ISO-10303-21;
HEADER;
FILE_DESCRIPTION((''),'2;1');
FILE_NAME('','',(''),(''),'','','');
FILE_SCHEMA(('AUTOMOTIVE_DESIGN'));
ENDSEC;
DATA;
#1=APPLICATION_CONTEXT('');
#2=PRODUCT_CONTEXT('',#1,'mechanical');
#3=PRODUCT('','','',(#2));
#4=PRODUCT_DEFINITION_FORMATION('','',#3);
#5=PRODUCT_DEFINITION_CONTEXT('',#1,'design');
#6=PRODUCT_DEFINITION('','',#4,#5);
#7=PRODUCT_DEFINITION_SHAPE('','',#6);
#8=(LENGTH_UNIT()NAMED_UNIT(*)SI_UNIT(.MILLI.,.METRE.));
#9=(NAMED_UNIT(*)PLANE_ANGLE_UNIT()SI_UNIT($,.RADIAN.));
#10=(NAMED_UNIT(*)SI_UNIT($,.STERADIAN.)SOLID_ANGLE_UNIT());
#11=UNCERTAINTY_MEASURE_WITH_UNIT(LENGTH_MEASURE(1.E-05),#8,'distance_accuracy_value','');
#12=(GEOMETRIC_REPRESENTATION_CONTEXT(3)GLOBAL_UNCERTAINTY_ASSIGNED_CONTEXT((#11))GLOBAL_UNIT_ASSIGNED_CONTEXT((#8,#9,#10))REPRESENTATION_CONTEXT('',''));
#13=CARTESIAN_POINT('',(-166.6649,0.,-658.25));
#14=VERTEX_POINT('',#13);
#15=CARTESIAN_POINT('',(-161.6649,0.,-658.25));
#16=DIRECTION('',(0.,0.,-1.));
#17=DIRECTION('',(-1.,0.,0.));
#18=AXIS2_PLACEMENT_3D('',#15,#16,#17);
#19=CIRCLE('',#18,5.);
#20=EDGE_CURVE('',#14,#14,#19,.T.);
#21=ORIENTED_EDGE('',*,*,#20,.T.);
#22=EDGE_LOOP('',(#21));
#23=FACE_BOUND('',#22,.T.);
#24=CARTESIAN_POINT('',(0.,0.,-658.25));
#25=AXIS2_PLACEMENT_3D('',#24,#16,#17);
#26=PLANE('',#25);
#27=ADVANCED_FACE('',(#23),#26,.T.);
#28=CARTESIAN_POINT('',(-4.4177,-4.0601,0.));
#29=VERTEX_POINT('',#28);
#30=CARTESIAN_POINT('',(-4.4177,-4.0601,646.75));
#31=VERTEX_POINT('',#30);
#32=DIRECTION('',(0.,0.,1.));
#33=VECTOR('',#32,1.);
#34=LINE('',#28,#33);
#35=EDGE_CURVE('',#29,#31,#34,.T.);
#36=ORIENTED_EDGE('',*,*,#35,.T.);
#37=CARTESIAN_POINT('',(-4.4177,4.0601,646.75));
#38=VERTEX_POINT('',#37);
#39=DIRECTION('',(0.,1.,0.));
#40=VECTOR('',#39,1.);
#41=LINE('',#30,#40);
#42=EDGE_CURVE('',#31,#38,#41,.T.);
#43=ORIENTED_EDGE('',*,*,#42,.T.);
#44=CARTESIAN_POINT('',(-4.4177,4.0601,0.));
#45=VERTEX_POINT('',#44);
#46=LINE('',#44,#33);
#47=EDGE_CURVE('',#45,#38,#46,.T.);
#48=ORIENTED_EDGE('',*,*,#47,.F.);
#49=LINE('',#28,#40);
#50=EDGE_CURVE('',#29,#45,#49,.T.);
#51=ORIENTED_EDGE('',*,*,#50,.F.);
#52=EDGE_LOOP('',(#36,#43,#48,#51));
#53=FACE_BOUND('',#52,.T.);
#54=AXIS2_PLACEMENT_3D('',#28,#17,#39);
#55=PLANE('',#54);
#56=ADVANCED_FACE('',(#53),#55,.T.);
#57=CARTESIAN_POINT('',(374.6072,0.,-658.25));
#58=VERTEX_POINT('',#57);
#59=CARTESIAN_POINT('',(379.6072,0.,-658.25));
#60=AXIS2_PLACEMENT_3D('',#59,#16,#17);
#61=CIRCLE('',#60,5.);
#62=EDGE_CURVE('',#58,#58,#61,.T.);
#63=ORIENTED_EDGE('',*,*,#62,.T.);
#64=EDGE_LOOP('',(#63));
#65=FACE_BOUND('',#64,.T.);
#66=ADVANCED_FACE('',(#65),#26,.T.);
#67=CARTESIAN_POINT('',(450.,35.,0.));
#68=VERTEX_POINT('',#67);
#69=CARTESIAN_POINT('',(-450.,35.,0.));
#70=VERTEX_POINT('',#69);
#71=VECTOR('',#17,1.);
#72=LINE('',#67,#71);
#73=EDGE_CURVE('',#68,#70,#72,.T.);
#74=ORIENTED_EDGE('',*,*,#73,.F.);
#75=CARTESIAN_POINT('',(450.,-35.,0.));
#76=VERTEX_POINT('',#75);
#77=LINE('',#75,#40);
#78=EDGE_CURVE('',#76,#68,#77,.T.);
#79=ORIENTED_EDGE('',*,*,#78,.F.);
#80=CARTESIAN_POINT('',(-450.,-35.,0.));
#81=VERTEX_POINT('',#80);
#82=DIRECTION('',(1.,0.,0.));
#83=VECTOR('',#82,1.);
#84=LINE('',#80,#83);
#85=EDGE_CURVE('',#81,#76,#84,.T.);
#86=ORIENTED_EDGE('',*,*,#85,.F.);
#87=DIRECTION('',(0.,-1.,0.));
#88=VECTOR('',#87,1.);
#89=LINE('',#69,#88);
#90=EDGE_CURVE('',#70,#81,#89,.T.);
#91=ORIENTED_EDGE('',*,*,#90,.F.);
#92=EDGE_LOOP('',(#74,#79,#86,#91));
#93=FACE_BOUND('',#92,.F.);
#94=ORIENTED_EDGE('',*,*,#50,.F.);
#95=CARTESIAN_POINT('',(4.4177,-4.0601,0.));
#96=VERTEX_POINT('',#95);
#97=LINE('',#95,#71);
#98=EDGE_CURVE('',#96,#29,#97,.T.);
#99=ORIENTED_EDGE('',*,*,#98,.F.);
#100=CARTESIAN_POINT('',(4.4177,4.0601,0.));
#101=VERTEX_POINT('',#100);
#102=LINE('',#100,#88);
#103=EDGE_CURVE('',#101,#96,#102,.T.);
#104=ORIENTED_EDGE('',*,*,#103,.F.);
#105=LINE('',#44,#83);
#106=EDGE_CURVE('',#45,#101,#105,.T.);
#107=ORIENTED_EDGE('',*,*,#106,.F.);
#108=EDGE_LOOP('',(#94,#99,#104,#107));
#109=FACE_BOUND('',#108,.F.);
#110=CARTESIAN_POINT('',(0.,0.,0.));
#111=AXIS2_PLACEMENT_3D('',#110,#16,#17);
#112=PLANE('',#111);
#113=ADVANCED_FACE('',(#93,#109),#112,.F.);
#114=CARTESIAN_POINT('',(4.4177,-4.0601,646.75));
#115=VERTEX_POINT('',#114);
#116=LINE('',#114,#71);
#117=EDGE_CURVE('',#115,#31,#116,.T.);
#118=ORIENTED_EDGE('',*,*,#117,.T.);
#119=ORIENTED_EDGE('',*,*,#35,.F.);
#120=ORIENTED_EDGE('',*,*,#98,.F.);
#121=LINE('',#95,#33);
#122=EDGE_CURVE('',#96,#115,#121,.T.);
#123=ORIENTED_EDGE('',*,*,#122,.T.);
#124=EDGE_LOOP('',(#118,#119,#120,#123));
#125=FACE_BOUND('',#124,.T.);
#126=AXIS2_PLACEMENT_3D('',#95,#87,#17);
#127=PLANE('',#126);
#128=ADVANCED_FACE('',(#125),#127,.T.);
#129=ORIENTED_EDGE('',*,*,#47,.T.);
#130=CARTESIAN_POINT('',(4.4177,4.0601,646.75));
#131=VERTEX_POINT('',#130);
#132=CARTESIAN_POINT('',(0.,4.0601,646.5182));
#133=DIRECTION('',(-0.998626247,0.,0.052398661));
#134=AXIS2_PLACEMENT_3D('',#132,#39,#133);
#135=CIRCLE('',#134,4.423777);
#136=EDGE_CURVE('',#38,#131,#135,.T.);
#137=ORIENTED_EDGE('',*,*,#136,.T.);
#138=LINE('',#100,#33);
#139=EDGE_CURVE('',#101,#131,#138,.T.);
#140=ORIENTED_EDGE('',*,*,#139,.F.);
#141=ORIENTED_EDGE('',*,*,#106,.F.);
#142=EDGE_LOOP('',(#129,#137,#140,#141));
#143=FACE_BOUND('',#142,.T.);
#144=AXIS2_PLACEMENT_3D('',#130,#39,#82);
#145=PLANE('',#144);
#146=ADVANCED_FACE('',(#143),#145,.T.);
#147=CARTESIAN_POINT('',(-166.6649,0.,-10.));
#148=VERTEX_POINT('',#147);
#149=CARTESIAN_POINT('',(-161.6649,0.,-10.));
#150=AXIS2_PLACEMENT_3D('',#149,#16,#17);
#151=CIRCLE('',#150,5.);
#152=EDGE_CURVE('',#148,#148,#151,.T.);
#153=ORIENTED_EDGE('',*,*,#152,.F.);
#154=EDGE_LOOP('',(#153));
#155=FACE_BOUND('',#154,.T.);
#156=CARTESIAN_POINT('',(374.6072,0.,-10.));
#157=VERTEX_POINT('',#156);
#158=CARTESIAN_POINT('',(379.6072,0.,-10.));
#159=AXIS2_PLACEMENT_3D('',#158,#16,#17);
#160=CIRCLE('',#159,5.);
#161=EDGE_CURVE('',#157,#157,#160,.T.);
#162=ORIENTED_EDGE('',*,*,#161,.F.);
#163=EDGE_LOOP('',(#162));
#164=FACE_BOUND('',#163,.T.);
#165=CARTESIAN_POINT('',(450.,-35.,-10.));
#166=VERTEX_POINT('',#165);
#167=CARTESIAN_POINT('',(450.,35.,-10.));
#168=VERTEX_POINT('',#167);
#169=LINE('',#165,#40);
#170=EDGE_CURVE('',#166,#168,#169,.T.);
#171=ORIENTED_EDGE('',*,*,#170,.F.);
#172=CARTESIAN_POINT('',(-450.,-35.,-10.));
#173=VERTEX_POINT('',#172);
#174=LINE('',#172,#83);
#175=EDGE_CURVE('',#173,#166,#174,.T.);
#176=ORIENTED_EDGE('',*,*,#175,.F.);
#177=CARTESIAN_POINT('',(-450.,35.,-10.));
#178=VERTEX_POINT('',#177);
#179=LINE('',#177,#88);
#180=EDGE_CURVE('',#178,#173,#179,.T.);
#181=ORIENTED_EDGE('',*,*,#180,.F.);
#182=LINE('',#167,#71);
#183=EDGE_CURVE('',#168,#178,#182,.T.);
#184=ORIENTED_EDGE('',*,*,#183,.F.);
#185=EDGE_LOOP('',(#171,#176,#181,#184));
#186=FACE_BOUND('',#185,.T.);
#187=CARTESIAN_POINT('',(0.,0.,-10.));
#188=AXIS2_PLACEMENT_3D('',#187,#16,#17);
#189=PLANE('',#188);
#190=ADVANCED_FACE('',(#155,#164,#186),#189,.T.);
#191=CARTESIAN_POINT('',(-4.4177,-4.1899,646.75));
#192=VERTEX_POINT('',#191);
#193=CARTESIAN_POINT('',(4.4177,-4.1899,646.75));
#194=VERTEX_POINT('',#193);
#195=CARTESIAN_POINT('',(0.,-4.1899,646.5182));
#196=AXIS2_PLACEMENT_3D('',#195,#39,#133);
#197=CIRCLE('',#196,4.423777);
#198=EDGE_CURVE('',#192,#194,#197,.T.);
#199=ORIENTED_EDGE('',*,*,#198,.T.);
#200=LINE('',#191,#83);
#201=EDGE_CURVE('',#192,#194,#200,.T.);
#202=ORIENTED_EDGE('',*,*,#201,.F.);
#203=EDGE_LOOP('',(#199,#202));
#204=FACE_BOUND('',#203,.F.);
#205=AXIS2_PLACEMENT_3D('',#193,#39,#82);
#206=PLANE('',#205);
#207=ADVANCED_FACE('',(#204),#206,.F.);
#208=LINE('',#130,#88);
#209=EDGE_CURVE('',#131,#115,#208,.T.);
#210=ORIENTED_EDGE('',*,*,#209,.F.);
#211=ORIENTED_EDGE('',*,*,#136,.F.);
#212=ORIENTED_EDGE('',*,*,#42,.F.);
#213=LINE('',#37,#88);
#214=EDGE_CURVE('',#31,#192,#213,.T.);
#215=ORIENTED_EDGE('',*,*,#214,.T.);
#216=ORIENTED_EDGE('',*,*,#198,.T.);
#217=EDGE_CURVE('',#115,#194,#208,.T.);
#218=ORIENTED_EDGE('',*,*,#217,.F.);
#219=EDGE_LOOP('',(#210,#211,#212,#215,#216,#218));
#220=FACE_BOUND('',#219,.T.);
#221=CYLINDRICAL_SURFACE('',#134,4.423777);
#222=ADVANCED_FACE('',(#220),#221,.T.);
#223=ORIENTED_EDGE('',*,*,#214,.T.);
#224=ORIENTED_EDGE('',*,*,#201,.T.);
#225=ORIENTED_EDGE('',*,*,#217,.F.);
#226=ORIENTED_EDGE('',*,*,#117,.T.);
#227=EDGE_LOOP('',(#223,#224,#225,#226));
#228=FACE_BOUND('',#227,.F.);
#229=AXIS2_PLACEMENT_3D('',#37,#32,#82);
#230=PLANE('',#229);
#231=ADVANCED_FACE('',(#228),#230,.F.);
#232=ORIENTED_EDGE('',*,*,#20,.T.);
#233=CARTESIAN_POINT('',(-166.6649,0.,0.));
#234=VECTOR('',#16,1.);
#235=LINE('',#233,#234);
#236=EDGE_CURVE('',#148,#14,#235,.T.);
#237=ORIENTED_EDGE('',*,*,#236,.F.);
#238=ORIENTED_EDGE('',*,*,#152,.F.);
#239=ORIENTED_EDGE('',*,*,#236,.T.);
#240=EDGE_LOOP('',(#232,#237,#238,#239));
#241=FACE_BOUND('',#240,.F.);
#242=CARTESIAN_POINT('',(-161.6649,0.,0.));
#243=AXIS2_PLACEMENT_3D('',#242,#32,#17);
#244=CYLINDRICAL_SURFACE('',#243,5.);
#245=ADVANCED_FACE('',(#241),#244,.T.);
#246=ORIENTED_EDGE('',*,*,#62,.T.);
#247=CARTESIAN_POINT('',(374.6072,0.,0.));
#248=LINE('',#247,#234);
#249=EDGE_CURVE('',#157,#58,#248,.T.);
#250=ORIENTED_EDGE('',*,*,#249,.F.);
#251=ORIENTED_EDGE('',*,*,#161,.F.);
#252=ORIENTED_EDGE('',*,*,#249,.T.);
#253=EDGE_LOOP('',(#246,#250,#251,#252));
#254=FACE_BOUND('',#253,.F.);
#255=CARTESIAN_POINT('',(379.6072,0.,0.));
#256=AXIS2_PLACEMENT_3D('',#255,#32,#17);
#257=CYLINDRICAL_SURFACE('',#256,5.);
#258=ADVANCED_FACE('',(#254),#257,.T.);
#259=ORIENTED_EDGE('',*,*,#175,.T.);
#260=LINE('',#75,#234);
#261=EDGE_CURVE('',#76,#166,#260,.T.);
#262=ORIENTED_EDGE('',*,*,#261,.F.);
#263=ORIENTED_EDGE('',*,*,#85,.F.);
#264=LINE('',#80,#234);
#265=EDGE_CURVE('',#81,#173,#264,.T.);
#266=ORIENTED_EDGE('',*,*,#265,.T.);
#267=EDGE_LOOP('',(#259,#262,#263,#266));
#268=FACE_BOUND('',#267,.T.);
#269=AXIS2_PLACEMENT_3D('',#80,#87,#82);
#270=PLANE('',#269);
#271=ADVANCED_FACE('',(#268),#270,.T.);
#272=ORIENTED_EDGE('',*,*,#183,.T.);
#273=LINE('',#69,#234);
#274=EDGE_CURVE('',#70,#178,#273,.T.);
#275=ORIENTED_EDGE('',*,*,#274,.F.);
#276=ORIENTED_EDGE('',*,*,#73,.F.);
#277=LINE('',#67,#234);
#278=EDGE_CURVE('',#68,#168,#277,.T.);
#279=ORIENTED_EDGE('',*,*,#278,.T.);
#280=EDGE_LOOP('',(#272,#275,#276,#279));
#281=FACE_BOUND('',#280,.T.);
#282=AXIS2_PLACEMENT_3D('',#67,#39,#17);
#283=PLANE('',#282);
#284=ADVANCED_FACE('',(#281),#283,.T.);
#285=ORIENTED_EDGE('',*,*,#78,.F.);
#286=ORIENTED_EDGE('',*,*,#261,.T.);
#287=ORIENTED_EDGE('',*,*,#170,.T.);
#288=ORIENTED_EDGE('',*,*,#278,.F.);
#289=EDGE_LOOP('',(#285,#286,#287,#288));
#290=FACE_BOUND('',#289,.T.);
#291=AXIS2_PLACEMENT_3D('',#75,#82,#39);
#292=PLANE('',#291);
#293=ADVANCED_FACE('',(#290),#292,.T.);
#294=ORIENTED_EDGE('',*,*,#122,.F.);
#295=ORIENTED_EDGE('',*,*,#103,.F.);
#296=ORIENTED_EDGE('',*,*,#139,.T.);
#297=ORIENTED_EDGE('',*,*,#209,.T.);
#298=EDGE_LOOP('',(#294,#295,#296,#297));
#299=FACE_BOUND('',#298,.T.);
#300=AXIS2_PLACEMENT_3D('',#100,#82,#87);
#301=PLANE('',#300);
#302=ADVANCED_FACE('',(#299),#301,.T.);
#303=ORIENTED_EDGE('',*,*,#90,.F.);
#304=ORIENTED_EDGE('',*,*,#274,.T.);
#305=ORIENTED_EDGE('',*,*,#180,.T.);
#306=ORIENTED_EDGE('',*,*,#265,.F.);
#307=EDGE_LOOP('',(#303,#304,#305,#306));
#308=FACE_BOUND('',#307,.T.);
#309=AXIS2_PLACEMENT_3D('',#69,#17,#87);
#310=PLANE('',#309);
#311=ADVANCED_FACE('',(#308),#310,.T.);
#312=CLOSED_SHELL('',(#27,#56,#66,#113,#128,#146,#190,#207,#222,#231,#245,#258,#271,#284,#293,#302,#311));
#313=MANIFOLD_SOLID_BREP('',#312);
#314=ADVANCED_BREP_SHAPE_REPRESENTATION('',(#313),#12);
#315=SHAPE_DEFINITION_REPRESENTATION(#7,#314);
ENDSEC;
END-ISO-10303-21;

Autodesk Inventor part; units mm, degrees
ref_plane "YZ Plane" through (0, 0, 0) normal (1, 0, 0) x (0, 1, 0)
ref_plane "XZ Plane" through (0, 0, 0) normal (0, 1, 0) x (-1, 0, 0)
sketch "Sketch1" plane through (0, 0, 0) normal (0, 0, 1) x (1, 0, 0)
  line L0 (4.4177, -4.0601) -> (-4.4177, -4.0601)
  line L1 (-4.4177, -4.0601) -> (-4.4177, 4.0601)
  line L2 (-4.4177, 4.0601) -> (4.4177, 4.0601)
  line L3 (4.4177, 4.0601) -> (4.4177, -4.0601)
  line L4 (4.4177, -4.0601) -> (-4.4177, 4.0601) construction
  line L5 (-4.4177, -4.0601) -> (4.4177, 4.0601) construction
  point P0 (0, 0)
extrude "Extrusion1" add sketch "Sketch1" along normal blind 650
fillet "Fillet2" radius 3.25 4 edges at (0, 4.0601, 650) (-4.4177, 0, 650) (0, -4.0601, 650) (4.4177, 0, 650)
ref_plane "Work Plane1" through (4.4177, 0, 646.75) normal (0, 1, 0) x (1, 0, 0)
sketch "Sketch2" plane through (4.4177, 0, 646.75) normal (0, 1, 0) x (1, 0, 0)
  line L0 (-8.8354, 0) -> (0, 0) projected
  arc A0 (-8.8354, 0) -> (0, 0) centre (-4.4177, 1.3775) ccw
  line L1 (-8.8354, 0) -> (-8.8354, -4.2008)
  line L2 (-8.8354, -4.2008) -> (-4.4177, -4.2008)
  line L3 (-4.4177, -4.2008) -> (-4.4177, -3.25)
  point P0 (-4.4177, 646.75)
extrude "Extrusion2" cut sketch "Sketch2" along normal mid plane 20 contours L0 A0
sketch "Sketch3" plane through (4.4177, 4.0601, 646.75) normal (0, 1, 0) x (1, 0, 0)
  line L0 (-9.2871, 0) -> (1.4537, 0)
  line L1 (1.4537, 0) -> (1.4537, -3.6122)
  line L2 (1.4537, -3.6122) -> (-9.2871, -3.6122)
  line L3 (-9.2871, -3.6122) -> (-9.2871, 0)
  point P0 (-4.4177, 646.75)
extrude "Extrusion3" cut sketch "Sketch3" against normal blind 25.5
sketch "Sketch4" plane through (4.4177, 4.0601, 646.75) normal (0, 1, 0) x (1, 0, 0)
  line L0 (-8.8354, 0) -> (0, 0) projected
  arc A0 (-8.8354, 0) -> (0, 0) centre (-4.4177, 0.2318) ccw
  point P0 (-4.4177, 646.75)
extrude "Extrusion4" add sketch "Sketch4" against normal blind 8.25
sketch "Sketch5" plane through (0, 0, 0) normal (0, 0, -1) x (-1, 0, 0)
  line L0 (-450, 35) -> (450, 35)
  line L1 (450, 35) -> (450, -35)
  line L2 (450, -35) -> (-450, -35)
  line L3 (-450, -35) -> (-450, 35)
  line L4 (-450, 35) -> (450, -35) construction
  line L5 (450, 35) -> (-450, -35) construction
  circle A0 centre (161.6649, 0) radius 5
  circle A1 centre (-379.6072, 0) radius 5
  point P0 (0, 0)
  dimension "d11" = 900
  dimension "d12" = 70
  dimension "d14" = 10
extrude "Extrusion5" add sketch "Sketch5" along normal blind 10
extrude "Extrusion6" add sketch "Sketch5" along normal blind 658.25 contours A0 | A1
